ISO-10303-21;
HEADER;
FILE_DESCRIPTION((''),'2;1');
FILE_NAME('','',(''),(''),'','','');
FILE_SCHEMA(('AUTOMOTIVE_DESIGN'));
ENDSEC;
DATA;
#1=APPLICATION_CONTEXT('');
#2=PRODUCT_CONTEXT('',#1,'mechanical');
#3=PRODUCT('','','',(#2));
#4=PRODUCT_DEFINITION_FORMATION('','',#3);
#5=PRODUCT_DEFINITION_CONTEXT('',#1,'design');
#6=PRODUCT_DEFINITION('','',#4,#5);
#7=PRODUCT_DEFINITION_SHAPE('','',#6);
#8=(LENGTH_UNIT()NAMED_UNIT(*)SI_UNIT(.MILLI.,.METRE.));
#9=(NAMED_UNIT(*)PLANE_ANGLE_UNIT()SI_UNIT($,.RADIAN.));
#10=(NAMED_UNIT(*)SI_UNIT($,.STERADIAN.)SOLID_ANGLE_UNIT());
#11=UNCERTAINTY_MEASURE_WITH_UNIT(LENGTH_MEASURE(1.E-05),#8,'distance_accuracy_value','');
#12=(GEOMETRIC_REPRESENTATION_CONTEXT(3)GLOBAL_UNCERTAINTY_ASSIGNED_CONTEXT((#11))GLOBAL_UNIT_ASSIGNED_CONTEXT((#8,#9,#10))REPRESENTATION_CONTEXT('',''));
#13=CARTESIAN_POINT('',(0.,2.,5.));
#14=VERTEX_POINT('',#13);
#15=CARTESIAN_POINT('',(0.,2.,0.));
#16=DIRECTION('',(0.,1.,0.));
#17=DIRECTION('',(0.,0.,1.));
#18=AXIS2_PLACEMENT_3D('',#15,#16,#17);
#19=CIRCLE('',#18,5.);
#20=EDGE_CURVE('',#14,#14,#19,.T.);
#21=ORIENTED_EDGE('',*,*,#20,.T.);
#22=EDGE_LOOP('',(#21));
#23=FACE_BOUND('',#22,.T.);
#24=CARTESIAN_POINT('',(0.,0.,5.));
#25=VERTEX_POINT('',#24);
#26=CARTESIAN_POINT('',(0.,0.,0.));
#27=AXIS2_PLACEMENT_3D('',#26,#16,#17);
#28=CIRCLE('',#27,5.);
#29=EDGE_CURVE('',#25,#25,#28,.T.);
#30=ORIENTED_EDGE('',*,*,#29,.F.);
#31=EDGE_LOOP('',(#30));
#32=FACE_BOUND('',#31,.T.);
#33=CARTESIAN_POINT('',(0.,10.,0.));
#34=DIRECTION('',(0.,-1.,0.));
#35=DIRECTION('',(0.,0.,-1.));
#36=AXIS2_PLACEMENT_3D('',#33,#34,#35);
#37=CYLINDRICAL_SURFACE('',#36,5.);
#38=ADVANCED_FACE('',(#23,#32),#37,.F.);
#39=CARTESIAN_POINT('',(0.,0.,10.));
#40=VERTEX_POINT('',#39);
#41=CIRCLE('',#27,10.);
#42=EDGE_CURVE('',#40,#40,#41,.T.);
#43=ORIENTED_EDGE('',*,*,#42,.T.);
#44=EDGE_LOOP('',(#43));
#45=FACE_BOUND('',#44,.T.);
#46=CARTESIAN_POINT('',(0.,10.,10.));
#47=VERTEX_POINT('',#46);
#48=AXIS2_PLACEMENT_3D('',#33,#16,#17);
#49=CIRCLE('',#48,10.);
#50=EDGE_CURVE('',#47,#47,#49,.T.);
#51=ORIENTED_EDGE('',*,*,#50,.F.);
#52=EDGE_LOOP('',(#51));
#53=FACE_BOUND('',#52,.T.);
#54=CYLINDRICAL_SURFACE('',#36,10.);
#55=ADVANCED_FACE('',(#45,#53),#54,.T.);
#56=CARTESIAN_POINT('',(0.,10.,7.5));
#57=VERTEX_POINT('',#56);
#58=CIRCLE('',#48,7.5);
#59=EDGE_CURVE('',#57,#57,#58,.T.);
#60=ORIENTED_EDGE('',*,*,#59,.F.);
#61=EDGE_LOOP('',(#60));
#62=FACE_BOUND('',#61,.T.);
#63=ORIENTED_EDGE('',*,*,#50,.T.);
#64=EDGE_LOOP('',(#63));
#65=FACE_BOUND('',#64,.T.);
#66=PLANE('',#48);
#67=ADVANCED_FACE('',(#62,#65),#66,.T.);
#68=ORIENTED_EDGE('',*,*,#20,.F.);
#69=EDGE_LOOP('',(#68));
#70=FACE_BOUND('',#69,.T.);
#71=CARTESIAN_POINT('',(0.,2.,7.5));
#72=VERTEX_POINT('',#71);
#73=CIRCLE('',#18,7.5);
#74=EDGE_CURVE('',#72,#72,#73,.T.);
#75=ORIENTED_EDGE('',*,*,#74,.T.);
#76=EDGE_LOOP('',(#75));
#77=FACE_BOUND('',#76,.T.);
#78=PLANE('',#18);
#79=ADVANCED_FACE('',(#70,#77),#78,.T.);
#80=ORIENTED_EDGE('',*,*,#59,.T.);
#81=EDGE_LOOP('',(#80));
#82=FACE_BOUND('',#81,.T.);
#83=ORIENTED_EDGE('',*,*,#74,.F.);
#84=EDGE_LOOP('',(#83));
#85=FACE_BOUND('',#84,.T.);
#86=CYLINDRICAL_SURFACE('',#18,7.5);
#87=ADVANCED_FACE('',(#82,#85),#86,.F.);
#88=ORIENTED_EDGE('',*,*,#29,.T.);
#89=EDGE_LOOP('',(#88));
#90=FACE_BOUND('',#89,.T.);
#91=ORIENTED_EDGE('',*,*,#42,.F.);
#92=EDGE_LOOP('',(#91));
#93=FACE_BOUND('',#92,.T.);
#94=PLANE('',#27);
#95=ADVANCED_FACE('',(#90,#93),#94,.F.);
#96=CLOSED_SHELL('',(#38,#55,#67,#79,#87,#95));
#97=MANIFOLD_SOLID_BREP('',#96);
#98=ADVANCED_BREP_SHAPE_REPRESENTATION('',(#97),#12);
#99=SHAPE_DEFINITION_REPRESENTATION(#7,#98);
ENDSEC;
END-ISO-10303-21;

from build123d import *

# Parameters (mm, degrees)
SKETCH2_R           = 10
SKETCH2_R_2         = 5
BOSS_EXTRUDE1_DEPTH = 10
SKETCH3_R           = 7.5
CUT_EXTRUDE1_DEPTH  = 8


with BuildPart() as part:
    # Sketch2 → Boss-Extrude1 (new body)
    with BuildSketch(Plane(origin=(0, 0, 0), x_dir=(1, 0, 0), z_dir=(0, 1, 0))):
        with Locations(Location((0, 0, 0), (0, 0, 270))):
            Circle(SKETCH2_R)
        with Locations(Location((0, 0, 0), (0, 0, 270))):
            Circle(SKETCH2_R_2, mode=Mode.SUBTRACT)
    extrude(amount=BOSS_EXTRUDE1_DEPTH)

    # Sketch3 → Cut-Extrude1 (cut)
    with BuildSketch(Plane(origin=(0, 10, 0), x_dir=(1, 0, 0), z_dir=(0, 1, 0))):
        with Locations(Location((0, 0, 0), (0, 0, 270))):
            Circle(SKETCH3_R)
    extrude(amount=-CUT_EXTRUDE1_DEPTH, mode=Mode.SUBTRACT)


solid = part.part
